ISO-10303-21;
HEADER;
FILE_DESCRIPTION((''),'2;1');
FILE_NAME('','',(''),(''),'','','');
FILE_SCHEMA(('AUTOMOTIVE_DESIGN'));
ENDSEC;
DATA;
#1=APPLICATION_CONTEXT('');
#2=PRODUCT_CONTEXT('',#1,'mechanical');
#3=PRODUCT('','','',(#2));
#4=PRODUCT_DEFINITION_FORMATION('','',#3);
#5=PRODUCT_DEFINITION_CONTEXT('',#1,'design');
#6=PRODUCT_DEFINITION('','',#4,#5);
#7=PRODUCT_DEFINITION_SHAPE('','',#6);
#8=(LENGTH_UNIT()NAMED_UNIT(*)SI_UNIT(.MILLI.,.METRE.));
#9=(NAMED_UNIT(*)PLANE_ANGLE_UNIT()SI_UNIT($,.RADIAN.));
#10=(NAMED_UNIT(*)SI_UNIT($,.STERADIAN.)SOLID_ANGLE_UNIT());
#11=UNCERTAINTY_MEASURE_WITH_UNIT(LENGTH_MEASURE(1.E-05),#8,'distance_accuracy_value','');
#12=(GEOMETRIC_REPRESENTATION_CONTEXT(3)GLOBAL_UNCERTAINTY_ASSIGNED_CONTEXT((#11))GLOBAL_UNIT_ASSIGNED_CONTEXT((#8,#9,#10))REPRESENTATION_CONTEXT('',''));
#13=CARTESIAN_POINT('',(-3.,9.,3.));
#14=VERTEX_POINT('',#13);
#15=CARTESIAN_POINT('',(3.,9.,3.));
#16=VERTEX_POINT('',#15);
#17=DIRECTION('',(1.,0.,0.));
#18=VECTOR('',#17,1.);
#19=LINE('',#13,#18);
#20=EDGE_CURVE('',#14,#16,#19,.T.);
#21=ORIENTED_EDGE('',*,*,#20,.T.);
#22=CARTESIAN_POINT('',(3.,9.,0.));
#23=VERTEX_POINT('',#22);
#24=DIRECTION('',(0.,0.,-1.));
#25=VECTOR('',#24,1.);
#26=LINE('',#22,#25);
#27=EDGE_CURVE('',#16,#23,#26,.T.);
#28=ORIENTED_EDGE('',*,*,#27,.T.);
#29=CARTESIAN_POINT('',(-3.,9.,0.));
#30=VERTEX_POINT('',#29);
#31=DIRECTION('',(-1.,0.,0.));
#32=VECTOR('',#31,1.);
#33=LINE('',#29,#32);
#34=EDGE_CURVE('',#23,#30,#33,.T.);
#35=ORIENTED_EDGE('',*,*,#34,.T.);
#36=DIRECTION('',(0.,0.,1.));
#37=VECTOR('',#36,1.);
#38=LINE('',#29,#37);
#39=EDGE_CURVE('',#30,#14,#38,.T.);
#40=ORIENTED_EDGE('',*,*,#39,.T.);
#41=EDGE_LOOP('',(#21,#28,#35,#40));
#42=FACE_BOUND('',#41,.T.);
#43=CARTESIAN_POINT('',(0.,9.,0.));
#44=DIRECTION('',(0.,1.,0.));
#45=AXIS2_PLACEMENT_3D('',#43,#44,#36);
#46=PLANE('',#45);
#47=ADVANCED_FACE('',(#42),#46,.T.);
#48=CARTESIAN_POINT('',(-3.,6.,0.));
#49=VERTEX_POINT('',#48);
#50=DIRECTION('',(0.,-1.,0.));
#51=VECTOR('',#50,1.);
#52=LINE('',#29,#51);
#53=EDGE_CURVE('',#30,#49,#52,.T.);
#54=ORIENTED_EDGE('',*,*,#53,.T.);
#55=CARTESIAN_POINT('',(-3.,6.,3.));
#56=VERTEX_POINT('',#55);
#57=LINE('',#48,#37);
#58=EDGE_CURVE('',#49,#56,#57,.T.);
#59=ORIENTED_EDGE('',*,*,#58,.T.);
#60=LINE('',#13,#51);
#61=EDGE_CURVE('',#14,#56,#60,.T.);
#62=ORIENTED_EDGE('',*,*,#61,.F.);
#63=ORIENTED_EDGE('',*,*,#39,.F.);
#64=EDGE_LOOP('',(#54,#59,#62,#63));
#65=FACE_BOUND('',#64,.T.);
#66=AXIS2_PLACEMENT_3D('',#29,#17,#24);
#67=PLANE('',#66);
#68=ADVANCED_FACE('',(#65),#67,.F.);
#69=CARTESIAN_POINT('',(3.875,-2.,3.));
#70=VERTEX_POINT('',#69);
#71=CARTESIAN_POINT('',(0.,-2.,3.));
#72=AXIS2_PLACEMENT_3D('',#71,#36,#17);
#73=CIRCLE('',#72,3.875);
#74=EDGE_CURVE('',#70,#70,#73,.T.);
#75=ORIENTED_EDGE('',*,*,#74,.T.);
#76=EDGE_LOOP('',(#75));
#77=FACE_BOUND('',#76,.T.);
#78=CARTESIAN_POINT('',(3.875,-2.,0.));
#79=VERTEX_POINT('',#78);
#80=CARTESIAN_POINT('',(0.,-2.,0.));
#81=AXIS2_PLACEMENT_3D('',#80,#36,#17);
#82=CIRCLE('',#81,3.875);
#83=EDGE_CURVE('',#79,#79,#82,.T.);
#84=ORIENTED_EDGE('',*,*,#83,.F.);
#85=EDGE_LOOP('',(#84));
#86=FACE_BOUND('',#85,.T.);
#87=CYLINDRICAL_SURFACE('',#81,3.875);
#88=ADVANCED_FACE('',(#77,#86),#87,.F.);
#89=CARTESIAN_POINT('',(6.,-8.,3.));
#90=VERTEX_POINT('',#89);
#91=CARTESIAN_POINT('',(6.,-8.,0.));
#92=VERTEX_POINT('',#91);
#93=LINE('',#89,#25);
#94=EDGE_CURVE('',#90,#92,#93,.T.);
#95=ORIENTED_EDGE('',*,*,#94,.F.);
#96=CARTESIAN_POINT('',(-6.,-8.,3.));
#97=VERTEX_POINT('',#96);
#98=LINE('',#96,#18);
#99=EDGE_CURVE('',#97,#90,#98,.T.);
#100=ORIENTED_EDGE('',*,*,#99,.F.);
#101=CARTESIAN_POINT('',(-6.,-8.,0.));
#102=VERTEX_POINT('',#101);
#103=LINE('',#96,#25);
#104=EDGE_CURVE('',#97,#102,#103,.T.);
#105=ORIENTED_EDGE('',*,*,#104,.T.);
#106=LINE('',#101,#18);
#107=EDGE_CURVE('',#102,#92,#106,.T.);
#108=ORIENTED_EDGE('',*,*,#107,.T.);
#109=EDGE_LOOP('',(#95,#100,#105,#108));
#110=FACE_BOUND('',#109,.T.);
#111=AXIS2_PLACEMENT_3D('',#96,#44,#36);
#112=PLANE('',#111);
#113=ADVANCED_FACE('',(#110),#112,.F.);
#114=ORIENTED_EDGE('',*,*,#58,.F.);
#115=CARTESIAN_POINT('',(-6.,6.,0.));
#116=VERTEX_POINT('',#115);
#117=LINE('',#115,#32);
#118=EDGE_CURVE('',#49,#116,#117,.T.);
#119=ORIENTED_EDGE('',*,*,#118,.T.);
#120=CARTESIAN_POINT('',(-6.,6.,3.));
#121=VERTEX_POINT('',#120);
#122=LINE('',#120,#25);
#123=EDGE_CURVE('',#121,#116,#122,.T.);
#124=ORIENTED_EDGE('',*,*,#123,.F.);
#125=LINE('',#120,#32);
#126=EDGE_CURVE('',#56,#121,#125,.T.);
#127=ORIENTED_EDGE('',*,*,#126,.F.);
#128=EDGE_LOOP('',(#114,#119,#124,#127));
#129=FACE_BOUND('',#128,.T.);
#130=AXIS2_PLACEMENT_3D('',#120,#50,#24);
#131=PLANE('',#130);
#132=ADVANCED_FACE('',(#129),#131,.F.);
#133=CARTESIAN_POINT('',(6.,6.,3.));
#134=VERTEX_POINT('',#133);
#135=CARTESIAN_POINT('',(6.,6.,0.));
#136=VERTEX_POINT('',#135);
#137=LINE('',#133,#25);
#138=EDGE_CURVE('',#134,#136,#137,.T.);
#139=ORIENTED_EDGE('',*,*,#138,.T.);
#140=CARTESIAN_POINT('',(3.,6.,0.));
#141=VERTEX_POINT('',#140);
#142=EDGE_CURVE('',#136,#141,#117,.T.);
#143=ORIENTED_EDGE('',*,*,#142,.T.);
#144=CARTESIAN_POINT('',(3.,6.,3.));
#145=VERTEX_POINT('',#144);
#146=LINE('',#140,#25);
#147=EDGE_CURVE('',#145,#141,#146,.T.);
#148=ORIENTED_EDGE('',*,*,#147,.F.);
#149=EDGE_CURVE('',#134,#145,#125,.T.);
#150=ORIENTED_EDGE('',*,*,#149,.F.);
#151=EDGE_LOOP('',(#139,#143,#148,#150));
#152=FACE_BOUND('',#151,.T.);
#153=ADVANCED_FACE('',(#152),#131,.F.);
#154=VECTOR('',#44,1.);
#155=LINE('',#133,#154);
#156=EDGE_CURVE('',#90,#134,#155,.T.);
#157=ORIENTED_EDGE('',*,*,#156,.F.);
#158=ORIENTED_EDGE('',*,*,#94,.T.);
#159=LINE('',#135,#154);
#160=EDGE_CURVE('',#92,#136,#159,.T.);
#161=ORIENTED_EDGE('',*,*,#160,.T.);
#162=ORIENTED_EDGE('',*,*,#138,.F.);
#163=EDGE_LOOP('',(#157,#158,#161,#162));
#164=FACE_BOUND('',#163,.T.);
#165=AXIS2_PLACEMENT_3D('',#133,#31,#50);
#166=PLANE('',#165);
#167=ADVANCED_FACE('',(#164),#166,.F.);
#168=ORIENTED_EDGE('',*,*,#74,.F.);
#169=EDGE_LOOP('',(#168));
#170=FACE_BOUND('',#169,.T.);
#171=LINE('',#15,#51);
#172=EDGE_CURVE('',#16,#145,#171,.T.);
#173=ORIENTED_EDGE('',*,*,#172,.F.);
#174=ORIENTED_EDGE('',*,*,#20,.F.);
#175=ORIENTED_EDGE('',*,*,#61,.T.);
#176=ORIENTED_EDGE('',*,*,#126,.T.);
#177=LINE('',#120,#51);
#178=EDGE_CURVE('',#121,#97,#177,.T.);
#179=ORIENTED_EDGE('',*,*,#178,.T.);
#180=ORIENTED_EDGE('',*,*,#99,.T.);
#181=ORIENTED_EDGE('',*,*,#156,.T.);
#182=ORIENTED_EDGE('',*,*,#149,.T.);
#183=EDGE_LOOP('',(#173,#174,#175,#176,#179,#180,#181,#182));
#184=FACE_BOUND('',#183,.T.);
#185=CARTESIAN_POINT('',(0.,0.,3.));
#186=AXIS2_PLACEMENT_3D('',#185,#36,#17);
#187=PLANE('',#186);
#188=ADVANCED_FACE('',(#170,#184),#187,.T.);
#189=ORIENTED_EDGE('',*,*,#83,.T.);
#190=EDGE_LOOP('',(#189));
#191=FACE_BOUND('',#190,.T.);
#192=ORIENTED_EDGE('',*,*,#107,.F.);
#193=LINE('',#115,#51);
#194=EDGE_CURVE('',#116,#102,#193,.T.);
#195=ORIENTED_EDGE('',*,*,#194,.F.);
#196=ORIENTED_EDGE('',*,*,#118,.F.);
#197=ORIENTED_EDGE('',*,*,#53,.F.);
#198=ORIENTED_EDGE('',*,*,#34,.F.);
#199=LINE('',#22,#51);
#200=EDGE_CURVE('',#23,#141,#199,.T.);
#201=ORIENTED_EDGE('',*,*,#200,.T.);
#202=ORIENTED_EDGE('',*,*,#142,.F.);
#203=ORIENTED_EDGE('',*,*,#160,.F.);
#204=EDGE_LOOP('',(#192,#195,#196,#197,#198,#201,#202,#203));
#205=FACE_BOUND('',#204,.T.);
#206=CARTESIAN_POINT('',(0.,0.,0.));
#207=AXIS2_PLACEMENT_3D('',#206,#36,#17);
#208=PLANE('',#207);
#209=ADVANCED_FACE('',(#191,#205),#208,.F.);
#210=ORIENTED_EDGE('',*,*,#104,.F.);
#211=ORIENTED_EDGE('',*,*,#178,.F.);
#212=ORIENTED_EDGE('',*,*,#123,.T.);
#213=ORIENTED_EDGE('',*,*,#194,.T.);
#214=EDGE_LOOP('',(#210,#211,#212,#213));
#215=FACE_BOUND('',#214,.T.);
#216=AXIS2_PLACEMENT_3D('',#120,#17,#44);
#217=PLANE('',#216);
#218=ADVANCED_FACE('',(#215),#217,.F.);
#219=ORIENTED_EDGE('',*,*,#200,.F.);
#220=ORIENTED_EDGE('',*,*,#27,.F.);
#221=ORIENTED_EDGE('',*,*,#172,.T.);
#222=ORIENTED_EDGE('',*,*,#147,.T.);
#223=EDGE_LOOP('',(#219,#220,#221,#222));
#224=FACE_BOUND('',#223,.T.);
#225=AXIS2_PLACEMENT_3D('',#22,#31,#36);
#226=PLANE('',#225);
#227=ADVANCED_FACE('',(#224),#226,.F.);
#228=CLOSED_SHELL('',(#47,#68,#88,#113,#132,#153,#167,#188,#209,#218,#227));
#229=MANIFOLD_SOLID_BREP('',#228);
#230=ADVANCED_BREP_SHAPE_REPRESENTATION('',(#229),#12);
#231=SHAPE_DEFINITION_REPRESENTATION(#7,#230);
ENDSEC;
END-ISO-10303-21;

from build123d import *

# Parameters (mm, degrees)
SKETCH1_W           = 12
SKETCH1_H           = 14
BOSS_EXTRUDE1_DEPTH = 3
SKETCH2_R           = 3.875
CUT_EXTRUDE1_DEPTH  = 3
SKETCH3_W           = 6
SKETCH3_H           = 3
BOSS_EXTRUDE2_DEPTH = 3


with BuildPart() as part:
    # Sketch1 → Boss-Extrude1 (new body)
    with BuildSketch(Plane.XY):
        with Locations((0, -1)):
            Rectangle(SKETCH1_W, SKETCH1_H)
    extrude(amount=BOSS_EXTRUDE1_DEPTH)

    # Sketch2 → Cut-Extrude1 (cut)
    with BuildSketch(Plane.XY.offset(3)):
        with Locations((0, -2)):
            Circle(SKETCH2_R)
    extrude(amount=-CUT_EXTRUDE1_DEPTH, mode=Mode.SUBTRACT)

    # Sketch3 → Boss-Extrude2 (add)
    with BuildSketch(Plane(origin=(0, 6, 0), x_dir=(1, 0, 0), z_dir=(0, 1, 0))):
        with Locations((0, -1.5)):
            Rectangle(SKETCH3_W, SKETCH3_H)
    extrude(amount=BOSS_EXTRUDE2_DEPTH)


solid = part.part
